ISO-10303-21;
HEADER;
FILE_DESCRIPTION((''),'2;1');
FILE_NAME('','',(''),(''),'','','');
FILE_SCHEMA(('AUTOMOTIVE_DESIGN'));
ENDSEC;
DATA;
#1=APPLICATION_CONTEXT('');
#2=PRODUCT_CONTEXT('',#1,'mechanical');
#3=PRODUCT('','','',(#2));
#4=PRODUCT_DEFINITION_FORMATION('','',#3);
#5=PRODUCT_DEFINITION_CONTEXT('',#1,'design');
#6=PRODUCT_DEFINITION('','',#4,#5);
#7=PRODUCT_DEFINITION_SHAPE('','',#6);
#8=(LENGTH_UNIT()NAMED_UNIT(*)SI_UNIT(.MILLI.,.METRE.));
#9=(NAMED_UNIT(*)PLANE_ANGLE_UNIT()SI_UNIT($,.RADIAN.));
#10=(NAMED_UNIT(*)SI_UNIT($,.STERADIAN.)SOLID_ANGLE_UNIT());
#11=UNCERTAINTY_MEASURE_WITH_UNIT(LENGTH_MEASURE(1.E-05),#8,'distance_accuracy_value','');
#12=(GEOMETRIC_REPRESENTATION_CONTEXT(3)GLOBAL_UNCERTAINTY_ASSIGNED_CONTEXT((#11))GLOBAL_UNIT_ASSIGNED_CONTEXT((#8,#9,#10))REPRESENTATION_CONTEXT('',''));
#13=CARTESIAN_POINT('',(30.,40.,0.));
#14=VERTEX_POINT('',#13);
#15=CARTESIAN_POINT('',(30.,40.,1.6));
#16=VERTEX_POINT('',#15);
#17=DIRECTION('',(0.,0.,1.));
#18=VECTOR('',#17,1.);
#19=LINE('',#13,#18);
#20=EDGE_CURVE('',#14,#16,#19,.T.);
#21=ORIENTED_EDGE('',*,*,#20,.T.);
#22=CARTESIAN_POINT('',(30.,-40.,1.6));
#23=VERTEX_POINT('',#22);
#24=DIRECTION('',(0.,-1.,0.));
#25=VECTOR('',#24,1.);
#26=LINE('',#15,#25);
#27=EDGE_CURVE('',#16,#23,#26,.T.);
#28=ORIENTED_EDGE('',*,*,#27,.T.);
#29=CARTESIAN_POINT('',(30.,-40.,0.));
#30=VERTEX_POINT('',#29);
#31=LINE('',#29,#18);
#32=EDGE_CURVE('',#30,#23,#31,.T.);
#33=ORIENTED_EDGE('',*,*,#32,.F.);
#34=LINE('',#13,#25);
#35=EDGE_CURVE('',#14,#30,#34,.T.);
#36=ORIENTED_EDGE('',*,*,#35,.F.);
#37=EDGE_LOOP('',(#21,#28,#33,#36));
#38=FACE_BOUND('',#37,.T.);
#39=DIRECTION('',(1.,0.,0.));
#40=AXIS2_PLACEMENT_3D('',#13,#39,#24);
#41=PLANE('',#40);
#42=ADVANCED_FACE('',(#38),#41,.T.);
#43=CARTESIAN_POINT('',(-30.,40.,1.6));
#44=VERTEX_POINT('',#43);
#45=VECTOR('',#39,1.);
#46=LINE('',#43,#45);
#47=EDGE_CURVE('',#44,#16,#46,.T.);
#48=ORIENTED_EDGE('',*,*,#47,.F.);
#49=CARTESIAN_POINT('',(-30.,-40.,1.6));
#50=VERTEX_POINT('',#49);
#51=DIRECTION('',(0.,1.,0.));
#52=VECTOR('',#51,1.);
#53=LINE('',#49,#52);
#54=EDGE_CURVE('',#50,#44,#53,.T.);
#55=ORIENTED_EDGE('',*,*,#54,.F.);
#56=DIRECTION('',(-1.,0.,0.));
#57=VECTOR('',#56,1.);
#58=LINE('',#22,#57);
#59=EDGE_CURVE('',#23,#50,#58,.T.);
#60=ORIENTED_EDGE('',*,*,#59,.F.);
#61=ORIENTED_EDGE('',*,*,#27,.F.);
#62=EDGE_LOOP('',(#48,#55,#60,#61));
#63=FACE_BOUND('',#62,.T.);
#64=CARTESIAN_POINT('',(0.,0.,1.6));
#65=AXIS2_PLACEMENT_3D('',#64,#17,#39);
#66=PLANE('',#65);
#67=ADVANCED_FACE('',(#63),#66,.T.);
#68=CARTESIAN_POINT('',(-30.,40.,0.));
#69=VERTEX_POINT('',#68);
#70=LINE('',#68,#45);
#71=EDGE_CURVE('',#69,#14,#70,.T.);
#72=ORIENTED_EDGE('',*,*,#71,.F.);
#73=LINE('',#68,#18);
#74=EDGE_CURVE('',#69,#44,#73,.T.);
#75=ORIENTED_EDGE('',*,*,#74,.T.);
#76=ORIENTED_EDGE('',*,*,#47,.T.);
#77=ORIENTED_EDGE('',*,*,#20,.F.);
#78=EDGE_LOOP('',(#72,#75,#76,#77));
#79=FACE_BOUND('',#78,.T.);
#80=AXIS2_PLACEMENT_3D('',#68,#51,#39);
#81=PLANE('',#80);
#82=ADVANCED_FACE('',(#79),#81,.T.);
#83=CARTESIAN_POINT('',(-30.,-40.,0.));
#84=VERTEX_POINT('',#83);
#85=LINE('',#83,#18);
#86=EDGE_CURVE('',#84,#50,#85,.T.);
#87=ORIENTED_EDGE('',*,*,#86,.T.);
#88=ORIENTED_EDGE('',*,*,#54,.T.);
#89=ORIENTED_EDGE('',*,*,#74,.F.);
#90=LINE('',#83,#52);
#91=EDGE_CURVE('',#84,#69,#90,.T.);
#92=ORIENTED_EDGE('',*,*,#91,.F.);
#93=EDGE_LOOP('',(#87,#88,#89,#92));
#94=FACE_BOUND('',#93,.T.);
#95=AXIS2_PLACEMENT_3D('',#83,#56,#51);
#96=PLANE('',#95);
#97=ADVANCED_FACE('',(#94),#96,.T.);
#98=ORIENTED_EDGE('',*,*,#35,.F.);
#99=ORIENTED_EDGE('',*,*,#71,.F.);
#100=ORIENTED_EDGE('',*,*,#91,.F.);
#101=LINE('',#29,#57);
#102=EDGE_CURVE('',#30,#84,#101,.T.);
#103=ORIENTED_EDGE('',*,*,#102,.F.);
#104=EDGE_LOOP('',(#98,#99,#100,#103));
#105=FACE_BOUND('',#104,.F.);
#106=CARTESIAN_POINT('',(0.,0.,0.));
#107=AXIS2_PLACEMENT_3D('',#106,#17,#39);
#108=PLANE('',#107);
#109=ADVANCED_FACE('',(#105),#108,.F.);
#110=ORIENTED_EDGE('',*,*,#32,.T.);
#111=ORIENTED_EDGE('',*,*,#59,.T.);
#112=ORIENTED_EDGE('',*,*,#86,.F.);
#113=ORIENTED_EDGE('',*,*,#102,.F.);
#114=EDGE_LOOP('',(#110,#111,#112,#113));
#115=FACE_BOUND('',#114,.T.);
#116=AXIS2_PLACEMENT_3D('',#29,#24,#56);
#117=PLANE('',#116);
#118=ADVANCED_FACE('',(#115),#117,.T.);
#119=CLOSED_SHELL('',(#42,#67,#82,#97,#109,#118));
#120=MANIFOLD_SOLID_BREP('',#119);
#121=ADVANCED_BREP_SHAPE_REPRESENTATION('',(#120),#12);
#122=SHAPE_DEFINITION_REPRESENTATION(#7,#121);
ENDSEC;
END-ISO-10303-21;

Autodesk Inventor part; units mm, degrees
ref_plane "YZ Plane" through (0, 0, 0) normal (1, 0, 0) x (0, 1, 0)
ref_plane "XZ Plane" through (0, 0, 0) normal (0, 1, 0) x (-1, 0, 0)
ref_plane "XY Plane" through (0, 0, 0) normal (0, 0, 1) x (1, 0, 0)
sketch "Sketch1" plane through (0, 0, 0) normal (0, 0, 1) x (1, 0, 0)
  line L0 (-30, 40) -> (30, 40)
  line L1 (30, 40) -> (30, -40)
  line L2 (30, -40) -> (-30, -40)
  line L3 (-30, -40) -> (-30, 40)
  point P0 (0, 0)
  dimension "d0" = 60
  dimension "d1" = 30
  dimension "d2" = 80
  dimension "d3" = 40
extrude "Extrusion1" add sketch "Sketch1" along normal blind 1.6
equation "\"d1\" = 0.5 * d0"
equation "\"d3\" = 0.5 * d2"
properties part number "6080_pcb"
